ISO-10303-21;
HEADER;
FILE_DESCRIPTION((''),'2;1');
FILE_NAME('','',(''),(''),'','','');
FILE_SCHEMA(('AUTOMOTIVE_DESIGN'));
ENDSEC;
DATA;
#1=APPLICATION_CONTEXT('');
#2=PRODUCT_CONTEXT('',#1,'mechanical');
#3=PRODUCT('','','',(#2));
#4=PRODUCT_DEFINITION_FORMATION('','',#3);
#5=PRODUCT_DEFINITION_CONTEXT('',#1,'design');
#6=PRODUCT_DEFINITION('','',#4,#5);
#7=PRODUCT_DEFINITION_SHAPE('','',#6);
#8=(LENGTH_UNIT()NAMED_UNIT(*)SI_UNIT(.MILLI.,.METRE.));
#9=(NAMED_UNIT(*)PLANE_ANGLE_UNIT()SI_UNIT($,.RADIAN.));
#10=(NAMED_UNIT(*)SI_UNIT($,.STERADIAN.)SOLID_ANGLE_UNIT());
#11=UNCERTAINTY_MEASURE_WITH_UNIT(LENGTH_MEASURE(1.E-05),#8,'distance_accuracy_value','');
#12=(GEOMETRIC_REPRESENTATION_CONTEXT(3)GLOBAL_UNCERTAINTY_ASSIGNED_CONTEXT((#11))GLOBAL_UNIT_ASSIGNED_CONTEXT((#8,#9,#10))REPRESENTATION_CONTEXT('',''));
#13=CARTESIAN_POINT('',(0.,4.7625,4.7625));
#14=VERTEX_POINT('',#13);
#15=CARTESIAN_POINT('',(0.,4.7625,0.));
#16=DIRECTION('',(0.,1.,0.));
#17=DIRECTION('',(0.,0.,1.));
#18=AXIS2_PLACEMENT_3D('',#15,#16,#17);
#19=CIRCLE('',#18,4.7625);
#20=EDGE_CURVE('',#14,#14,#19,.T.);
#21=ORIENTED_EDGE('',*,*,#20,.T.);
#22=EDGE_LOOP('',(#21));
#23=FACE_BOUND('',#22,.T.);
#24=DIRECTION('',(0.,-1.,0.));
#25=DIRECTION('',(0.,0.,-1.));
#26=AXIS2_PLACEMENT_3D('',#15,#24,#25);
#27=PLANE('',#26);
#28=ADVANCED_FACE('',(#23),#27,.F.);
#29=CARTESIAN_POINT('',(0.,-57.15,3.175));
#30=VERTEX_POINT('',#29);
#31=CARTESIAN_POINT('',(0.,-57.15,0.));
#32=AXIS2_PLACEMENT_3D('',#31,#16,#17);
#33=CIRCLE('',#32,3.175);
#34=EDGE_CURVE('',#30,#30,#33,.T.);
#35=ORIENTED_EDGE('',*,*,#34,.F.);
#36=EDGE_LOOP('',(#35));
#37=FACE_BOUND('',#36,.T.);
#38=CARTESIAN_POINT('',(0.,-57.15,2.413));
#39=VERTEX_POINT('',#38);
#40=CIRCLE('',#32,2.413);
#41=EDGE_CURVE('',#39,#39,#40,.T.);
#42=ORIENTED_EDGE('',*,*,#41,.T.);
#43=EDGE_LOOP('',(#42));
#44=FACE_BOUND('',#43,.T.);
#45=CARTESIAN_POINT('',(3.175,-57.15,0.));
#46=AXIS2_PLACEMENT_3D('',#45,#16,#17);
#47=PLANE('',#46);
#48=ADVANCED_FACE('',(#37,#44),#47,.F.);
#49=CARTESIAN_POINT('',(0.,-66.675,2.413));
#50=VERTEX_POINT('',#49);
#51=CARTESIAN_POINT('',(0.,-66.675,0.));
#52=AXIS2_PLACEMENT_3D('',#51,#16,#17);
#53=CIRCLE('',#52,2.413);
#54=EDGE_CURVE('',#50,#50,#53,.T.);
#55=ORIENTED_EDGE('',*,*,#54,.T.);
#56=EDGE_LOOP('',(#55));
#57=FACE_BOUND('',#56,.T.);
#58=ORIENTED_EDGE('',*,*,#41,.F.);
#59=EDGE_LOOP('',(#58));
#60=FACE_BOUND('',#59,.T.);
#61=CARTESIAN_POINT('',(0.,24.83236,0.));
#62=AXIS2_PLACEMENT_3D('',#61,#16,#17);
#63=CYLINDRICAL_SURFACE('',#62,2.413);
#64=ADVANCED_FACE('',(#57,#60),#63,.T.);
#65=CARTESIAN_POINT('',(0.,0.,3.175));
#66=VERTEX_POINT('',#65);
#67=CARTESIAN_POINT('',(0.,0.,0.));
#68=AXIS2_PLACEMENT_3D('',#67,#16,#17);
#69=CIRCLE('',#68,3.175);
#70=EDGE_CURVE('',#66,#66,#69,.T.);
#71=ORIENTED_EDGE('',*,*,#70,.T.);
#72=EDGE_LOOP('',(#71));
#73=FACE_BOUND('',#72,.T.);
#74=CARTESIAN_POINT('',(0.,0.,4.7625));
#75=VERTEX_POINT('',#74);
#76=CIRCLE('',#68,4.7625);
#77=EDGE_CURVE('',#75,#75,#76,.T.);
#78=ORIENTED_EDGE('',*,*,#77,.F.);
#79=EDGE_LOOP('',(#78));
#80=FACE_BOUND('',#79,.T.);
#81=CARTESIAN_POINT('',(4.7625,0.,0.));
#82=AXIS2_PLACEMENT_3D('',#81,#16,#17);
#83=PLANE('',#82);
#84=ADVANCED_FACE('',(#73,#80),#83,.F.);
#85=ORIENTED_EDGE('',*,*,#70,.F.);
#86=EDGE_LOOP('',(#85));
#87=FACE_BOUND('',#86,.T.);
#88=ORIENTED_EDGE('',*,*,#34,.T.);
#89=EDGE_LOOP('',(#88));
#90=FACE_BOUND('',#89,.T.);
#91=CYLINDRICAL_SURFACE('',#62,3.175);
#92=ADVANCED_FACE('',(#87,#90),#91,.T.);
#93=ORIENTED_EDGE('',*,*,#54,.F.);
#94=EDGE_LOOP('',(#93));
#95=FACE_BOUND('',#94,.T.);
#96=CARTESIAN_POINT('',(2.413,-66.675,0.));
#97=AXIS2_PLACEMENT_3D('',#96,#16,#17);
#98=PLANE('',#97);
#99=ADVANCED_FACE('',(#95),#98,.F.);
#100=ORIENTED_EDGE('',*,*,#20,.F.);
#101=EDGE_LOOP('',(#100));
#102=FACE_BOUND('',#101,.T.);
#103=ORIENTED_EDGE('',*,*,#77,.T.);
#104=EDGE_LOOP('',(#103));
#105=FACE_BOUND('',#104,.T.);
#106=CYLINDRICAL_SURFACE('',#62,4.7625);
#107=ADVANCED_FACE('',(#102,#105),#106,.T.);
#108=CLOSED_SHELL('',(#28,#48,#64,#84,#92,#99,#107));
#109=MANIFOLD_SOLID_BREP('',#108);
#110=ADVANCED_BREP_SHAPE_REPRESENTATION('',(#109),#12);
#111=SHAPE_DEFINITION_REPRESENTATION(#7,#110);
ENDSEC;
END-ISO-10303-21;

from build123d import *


with BuildPart() as part:
    # profile → Base-Revolve (revolve)
    with BuildSketch(Plane.XY):
        Polygon((0, 4.7625), (4.7625, 4.7625), (4.7625, 0), (3.175, 0), (3.175, -57.15), (2.413, -57.15), (2.413, -66.675), (0, -66.675), align=None)
    revolve(axis=Axis((0, 24.832359952, 0), (0, -1, 0)))


solid = part.part
